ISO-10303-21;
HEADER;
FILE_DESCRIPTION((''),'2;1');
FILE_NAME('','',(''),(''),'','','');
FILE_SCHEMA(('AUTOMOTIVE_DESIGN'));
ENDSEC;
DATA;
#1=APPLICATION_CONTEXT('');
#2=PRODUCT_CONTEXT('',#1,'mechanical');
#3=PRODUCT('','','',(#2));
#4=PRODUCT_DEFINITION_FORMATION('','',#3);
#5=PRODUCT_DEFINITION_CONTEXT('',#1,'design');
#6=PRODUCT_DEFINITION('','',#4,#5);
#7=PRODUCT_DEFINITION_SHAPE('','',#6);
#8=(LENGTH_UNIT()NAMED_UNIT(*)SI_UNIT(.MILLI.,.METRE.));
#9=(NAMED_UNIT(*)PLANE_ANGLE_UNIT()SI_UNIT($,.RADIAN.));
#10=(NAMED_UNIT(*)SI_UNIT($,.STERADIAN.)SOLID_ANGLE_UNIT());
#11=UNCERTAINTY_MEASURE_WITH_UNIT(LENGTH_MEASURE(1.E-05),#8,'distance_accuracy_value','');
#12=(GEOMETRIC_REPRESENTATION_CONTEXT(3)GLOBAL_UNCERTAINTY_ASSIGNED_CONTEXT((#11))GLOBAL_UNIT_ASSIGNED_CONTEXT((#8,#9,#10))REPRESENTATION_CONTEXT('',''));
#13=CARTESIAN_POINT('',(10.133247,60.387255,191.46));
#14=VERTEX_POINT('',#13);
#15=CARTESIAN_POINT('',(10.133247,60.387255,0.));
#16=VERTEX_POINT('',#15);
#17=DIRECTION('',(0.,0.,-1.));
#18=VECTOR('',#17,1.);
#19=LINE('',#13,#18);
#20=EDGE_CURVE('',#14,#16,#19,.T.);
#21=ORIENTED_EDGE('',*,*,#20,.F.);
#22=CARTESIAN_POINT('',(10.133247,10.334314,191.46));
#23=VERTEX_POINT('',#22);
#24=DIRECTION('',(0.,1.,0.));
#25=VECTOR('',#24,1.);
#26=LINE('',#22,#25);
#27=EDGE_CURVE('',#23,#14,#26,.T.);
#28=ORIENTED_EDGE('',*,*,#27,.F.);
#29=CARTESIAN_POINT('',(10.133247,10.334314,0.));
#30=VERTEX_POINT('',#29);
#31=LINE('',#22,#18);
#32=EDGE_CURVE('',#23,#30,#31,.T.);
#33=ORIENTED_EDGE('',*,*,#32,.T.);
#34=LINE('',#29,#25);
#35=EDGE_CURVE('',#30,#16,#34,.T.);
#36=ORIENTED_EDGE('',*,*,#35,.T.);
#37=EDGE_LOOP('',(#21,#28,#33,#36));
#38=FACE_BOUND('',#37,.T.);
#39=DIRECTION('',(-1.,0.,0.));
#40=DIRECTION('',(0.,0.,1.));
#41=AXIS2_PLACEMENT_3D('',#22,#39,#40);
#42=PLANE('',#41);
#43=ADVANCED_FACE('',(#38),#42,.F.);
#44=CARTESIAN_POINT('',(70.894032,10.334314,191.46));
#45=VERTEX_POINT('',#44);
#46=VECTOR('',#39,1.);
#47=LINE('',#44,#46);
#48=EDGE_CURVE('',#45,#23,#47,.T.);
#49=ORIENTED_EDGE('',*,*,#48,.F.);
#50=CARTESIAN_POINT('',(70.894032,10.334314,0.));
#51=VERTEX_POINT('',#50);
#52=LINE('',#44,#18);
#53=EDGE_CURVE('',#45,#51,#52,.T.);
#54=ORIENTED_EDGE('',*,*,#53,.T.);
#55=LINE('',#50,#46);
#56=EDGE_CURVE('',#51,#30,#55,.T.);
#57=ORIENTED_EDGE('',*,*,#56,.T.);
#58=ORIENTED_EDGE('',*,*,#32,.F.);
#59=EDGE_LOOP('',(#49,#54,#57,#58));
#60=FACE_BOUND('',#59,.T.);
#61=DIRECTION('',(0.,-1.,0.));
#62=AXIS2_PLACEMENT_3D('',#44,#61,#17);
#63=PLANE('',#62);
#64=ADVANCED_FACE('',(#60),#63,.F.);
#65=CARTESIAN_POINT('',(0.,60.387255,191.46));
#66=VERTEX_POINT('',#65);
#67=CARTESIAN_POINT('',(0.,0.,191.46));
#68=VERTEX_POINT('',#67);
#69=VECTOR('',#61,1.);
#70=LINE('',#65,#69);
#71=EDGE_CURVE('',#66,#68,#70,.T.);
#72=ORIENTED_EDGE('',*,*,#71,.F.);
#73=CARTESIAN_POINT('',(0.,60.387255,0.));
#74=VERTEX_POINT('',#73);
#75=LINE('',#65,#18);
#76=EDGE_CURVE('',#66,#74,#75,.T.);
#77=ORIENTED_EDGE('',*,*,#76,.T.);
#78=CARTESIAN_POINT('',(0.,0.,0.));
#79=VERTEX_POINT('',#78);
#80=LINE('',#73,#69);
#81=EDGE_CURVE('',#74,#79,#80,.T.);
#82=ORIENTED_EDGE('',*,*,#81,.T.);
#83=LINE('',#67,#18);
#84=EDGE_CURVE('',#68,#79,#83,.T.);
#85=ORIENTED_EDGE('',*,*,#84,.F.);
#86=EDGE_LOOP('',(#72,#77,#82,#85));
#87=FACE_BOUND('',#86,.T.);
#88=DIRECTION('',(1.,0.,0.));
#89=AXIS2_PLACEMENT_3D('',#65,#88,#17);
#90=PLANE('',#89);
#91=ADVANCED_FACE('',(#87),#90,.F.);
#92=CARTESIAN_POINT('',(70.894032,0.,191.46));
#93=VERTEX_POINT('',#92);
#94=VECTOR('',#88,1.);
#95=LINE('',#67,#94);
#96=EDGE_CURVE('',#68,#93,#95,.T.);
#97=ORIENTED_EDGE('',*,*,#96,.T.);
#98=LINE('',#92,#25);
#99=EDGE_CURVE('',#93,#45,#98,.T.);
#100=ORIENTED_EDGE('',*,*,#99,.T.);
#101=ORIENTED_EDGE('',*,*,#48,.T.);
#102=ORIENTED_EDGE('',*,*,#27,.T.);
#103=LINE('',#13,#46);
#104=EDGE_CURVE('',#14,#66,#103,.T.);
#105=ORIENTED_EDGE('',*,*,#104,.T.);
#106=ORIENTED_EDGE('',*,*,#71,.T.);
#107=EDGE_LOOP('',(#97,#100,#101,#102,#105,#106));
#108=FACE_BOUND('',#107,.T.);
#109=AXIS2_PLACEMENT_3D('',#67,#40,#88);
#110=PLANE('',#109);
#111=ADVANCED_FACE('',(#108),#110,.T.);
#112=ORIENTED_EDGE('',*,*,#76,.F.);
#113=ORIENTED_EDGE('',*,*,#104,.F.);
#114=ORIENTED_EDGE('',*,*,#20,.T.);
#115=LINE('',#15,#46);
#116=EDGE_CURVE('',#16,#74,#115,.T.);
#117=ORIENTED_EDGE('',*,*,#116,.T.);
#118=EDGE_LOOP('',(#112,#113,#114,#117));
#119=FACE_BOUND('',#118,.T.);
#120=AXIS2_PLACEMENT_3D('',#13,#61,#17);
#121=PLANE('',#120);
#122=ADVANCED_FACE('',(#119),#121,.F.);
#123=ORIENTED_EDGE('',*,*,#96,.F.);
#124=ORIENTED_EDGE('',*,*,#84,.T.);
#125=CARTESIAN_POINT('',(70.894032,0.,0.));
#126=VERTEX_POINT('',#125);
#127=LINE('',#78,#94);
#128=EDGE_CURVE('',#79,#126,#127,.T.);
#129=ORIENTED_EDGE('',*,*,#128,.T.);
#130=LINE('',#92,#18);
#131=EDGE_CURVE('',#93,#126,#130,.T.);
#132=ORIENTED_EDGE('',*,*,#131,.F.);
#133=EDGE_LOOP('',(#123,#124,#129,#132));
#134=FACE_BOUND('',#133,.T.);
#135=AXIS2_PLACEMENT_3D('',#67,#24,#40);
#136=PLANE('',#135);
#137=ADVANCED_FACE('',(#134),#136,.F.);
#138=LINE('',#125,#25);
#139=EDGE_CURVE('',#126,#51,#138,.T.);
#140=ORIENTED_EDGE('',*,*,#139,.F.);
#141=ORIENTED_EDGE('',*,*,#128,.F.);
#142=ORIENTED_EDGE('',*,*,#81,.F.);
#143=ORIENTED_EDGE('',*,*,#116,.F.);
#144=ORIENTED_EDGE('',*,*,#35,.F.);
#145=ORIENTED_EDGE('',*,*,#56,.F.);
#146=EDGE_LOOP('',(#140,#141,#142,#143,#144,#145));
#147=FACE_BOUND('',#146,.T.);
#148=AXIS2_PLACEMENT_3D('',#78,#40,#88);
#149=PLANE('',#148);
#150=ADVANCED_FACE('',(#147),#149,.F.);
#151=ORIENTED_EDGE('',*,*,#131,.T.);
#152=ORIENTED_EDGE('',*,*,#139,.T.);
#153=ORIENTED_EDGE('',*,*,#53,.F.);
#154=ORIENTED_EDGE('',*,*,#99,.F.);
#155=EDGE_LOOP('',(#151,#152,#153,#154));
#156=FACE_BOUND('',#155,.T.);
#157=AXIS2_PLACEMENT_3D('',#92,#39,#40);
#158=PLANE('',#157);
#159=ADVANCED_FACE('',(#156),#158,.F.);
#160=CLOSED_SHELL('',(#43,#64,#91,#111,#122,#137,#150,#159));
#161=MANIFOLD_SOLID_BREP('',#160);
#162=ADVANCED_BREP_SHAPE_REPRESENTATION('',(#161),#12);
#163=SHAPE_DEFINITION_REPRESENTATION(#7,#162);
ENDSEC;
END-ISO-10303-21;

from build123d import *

# Parameters (mm, degrees)
BOSS_EXTRU_1_DEPTH = 191.46


with BuildPart() as part:
    # Esquisse1 → Boss.-Extru.1 (new body)
    with BuildSketch(Plane.XY):
        Polygon((0, 0), (70.894031532, 0), (70.894031532, 10.334313725), (10.133247218, 10.334313725), (10.133247218, 60.387254902), (0, 60.387254902), align=None)
    extrude(amount=BOSS_EXTRU_1_DEPTH)


solid = part.part
